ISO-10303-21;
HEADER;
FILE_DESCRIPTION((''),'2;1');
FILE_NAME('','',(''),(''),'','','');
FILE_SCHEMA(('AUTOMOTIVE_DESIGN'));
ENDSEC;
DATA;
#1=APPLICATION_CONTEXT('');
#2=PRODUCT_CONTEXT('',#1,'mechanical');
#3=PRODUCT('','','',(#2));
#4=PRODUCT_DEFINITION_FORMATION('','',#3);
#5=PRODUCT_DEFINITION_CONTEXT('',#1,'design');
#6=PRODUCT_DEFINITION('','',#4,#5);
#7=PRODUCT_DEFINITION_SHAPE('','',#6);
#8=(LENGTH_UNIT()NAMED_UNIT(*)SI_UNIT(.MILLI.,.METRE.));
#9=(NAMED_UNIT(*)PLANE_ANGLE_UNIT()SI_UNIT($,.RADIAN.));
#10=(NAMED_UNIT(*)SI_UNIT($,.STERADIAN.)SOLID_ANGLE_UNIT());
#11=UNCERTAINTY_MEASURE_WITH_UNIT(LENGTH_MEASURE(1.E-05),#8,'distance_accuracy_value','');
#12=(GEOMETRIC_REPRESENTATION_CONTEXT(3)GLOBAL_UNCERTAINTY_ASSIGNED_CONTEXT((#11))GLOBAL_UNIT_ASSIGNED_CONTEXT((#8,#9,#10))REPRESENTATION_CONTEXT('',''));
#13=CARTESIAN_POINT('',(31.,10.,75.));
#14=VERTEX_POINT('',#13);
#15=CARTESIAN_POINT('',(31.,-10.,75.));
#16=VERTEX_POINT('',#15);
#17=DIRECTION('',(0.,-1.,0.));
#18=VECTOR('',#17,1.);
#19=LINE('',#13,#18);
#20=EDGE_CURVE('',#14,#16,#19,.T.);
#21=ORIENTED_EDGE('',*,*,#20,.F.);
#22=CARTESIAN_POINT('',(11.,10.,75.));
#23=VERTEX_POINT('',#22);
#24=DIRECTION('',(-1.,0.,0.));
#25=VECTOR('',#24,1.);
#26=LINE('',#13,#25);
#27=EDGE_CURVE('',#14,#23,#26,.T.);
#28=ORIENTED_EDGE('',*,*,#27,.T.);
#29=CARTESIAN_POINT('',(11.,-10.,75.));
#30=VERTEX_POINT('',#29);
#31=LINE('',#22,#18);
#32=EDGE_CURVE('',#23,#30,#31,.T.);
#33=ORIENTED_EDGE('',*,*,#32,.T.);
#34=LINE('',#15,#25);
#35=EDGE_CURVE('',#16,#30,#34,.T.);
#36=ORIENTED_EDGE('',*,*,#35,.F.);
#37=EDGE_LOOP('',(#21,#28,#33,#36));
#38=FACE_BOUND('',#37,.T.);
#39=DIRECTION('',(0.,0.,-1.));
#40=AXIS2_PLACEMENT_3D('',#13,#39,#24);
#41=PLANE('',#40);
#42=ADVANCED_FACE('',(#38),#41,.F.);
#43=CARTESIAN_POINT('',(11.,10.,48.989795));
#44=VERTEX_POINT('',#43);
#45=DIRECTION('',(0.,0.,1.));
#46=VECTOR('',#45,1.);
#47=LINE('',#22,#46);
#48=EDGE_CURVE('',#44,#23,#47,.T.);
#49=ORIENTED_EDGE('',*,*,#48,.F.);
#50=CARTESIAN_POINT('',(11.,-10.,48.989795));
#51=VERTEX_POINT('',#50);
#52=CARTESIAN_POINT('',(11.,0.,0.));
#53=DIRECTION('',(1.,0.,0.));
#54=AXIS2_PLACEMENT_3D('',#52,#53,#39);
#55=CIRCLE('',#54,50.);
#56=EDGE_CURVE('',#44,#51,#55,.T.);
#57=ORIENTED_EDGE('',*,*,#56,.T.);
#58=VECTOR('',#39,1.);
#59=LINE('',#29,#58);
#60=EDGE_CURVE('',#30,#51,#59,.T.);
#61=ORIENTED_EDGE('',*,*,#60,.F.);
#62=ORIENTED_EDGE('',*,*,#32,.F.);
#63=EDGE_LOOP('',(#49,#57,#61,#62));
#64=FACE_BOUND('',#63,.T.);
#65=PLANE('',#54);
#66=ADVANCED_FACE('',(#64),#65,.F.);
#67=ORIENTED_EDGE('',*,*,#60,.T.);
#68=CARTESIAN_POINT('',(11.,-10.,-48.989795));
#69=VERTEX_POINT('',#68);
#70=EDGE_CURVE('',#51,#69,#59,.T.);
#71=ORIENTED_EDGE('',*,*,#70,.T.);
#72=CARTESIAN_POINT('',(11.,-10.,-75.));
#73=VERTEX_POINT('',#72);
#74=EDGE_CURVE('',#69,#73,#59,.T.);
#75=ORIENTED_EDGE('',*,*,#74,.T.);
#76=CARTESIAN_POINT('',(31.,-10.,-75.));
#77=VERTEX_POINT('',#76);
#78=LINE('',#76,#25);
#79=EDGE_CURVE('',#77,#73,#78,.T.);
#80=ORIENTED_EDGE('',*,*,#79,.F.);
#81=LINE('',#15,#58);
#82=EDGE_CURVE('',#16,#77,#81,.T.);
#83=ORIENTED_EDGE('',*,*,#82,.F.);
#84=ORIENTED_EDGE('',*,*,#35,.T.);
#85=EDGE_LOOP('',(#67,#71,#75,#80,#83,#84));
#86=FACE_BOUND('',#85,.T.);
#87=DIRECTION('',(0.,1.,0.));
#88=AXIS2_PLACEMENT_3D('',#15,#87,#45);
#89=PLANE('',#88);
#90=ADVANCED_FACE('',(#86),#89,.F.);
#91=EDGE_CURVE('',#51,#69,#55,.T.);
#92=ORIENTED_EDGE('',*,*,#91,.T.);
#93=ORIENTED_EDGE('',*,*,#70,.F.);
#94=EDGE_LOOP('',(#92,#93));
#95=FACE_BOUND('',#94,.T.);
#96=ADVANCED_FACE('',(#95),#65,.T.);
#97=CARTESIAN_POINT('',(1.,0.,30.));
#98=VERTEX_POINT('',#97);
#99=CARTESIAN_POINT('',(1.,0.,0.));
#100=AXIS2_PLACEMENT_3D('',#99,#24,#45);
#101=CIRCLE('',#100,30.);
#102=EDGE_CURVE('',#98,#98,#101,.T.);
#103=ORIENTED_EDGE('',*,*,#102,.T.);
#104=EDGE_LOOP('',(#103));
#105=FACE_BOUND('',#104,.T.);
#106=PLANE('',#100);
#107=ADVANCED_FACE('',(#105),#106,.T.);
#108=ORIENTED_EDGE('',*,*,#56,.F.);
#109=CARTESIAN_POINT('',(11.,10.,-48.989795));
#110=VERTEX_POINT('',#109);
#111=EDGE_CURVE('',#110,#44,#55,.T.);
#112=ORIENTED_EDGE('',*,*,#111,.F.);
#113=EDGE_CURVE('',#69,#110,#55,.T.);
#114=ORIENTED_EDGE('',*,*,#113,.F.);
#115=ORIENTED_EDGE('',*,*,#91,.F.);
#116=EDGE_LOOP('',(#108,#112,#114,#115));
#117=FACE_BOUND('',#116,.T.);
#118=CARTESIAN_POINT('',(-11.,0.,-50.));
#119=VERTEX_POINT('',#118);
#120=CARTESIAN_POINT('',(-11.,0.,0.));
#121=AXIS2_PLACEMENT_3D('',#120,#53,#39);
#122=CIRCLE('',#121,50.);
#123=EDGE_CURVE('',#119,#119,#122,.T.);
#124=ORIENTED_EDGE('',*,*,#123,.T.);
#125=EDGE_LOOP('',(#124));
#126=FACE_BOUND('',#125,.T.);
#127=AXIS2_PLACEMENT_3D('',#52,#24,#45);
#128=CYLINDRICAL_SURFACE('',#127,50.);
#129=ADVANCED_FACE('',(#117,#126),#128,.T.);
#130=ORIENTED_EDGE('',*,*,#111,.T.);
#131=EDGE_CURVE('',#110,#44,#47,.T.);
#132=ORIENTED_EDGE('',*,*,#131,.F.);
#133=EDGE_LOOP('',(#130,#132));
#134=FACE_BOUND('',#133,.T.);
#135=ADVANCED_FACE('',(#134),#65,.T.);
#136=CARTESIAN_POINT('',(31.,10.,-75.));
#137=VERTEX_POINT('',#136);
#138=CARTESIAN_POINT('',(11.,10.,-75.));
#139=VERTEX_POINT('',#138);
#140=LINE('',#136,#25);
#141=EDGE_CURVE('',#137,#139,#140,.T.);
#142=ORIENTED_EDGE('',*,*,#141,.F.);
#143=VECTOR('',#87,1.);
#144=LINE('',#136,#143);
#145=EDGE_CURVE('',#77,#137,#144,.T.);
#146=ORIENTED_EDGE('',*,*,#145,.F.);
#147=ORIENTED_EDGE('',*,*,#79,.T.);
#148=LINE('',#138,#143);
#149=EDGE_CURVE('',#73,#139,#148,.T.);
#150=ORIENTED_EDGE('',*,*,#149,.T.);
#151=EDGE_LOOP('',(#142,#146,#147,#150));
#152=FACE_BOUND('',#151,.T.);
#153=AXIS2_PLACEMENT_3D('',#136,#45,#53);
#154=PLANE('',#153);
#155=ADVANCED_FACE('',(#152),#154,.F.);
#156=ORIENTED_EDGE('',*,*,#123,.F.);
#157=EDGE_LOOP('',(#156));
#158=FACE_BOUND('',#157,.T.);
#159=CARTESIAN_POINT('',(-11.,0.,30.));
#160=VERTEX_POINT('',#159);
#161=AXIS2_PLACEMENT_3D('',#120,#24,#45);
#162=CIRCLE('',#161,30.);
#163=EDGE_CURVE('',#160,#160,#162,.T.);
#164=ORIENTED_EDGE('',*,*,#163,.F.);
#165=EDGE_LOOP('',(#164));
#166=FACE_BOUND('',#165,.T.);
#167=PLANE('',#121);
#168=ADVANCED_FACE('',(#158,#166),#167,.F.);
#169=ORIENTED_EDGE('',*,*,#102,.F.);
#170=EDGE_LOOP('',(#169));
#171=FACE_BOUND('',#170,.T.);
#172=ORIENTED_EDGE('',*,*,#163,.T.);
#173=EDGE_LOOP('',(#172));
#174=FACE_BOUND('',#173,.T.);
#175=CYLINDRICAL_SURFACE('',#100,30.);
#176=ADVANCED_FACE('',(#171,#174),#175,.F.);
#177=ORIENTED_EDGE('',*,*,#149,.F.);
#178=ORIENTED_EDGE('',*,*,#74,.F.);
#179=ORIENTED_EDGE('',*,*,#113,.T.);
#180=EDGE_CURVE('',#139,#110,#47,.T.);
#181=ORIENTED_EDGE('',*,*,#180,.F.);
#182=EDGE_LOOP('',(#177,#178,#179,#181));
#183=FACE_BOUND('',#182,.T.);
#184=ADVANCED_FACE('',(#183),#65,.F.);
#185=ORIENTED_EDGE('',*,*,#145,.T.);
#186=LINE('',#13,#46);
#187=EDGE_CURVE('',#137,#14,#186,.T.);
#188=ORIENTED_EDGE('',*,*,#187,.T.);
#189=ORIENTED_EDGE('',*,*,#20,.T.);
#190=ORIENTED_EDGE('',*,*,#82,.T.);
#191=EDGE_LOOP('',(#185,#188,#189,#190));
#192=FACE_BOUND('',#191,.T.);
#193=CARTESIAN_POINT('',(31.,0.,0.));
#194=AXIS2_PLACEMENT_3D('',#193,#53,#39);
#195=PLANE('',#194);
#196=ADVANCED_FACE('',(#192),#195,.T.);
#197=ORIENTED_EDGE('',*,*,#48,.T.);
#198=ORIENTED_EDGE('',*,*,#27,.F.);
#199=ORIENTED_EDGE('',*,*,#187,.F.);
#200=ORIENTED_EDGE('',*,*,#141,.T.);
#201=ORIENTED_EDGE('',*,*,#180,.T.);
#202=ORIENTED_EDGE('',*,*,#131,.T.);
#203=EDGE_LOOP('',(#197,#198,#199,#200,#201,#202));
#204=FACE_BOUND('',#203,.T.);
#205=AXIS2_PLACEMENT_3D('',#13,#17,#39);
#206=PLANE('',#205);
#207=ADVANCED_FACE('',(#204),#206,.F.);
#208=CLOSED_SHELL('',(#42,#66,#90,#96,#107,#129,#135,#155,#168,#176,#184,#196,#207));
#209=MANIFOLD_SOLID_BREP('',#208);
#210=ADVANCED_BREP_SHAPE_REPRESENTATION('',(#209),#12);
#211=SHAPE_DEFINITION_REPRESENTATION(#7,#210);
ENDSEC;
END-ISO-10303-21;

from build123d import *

# Parameters (mm, degrees)
SKETCH1_R           = 50
BOSS_EXTRUDE1_DEPTH = 11
SKETCH2_R           = 30
CUT_EXTRUDE1_DEPTH  = 12
SKETCH3_W           = 150
SKETCH3_H           = 20
BOSS_EXTRUDE2_DEPTH = 20


with BuildPart() as part:
    # Sketch1 → Boss-Extrude1 (new, symmetric)
    with BuildSketch(Plane(origin=(0, 0, 0), x_dir=(0, 0, -1), z_dir=(1, 0, 0))):
        Circle(SKETCH1_R)
    extrude(amount=BOSS_EXTRUDE1_DEPTH, both=True)

    # Sketch2 → Cut-Extrude1 (cut)
    with BuildSketch(Plane.ZY.offset(11)):
        Circle(SKETCH2_R)
    extrude(amount=-CUT_EXTRUDE1_DEPTH, mode=Mode.SUBTRACT)

    # Sketch3 → Boss-Extrude2 (add)
    with BuildSketch(Plane(origin=(11, 0, 0), x_dir=(0, 0, -1), z_dir=(1, 0, 0))):
        Rectangle(SKETCH3_W, SKETCH3_H)
    extrude(amount=BOSS_EXTRUDE2_DEPTH)


solid = part.part
